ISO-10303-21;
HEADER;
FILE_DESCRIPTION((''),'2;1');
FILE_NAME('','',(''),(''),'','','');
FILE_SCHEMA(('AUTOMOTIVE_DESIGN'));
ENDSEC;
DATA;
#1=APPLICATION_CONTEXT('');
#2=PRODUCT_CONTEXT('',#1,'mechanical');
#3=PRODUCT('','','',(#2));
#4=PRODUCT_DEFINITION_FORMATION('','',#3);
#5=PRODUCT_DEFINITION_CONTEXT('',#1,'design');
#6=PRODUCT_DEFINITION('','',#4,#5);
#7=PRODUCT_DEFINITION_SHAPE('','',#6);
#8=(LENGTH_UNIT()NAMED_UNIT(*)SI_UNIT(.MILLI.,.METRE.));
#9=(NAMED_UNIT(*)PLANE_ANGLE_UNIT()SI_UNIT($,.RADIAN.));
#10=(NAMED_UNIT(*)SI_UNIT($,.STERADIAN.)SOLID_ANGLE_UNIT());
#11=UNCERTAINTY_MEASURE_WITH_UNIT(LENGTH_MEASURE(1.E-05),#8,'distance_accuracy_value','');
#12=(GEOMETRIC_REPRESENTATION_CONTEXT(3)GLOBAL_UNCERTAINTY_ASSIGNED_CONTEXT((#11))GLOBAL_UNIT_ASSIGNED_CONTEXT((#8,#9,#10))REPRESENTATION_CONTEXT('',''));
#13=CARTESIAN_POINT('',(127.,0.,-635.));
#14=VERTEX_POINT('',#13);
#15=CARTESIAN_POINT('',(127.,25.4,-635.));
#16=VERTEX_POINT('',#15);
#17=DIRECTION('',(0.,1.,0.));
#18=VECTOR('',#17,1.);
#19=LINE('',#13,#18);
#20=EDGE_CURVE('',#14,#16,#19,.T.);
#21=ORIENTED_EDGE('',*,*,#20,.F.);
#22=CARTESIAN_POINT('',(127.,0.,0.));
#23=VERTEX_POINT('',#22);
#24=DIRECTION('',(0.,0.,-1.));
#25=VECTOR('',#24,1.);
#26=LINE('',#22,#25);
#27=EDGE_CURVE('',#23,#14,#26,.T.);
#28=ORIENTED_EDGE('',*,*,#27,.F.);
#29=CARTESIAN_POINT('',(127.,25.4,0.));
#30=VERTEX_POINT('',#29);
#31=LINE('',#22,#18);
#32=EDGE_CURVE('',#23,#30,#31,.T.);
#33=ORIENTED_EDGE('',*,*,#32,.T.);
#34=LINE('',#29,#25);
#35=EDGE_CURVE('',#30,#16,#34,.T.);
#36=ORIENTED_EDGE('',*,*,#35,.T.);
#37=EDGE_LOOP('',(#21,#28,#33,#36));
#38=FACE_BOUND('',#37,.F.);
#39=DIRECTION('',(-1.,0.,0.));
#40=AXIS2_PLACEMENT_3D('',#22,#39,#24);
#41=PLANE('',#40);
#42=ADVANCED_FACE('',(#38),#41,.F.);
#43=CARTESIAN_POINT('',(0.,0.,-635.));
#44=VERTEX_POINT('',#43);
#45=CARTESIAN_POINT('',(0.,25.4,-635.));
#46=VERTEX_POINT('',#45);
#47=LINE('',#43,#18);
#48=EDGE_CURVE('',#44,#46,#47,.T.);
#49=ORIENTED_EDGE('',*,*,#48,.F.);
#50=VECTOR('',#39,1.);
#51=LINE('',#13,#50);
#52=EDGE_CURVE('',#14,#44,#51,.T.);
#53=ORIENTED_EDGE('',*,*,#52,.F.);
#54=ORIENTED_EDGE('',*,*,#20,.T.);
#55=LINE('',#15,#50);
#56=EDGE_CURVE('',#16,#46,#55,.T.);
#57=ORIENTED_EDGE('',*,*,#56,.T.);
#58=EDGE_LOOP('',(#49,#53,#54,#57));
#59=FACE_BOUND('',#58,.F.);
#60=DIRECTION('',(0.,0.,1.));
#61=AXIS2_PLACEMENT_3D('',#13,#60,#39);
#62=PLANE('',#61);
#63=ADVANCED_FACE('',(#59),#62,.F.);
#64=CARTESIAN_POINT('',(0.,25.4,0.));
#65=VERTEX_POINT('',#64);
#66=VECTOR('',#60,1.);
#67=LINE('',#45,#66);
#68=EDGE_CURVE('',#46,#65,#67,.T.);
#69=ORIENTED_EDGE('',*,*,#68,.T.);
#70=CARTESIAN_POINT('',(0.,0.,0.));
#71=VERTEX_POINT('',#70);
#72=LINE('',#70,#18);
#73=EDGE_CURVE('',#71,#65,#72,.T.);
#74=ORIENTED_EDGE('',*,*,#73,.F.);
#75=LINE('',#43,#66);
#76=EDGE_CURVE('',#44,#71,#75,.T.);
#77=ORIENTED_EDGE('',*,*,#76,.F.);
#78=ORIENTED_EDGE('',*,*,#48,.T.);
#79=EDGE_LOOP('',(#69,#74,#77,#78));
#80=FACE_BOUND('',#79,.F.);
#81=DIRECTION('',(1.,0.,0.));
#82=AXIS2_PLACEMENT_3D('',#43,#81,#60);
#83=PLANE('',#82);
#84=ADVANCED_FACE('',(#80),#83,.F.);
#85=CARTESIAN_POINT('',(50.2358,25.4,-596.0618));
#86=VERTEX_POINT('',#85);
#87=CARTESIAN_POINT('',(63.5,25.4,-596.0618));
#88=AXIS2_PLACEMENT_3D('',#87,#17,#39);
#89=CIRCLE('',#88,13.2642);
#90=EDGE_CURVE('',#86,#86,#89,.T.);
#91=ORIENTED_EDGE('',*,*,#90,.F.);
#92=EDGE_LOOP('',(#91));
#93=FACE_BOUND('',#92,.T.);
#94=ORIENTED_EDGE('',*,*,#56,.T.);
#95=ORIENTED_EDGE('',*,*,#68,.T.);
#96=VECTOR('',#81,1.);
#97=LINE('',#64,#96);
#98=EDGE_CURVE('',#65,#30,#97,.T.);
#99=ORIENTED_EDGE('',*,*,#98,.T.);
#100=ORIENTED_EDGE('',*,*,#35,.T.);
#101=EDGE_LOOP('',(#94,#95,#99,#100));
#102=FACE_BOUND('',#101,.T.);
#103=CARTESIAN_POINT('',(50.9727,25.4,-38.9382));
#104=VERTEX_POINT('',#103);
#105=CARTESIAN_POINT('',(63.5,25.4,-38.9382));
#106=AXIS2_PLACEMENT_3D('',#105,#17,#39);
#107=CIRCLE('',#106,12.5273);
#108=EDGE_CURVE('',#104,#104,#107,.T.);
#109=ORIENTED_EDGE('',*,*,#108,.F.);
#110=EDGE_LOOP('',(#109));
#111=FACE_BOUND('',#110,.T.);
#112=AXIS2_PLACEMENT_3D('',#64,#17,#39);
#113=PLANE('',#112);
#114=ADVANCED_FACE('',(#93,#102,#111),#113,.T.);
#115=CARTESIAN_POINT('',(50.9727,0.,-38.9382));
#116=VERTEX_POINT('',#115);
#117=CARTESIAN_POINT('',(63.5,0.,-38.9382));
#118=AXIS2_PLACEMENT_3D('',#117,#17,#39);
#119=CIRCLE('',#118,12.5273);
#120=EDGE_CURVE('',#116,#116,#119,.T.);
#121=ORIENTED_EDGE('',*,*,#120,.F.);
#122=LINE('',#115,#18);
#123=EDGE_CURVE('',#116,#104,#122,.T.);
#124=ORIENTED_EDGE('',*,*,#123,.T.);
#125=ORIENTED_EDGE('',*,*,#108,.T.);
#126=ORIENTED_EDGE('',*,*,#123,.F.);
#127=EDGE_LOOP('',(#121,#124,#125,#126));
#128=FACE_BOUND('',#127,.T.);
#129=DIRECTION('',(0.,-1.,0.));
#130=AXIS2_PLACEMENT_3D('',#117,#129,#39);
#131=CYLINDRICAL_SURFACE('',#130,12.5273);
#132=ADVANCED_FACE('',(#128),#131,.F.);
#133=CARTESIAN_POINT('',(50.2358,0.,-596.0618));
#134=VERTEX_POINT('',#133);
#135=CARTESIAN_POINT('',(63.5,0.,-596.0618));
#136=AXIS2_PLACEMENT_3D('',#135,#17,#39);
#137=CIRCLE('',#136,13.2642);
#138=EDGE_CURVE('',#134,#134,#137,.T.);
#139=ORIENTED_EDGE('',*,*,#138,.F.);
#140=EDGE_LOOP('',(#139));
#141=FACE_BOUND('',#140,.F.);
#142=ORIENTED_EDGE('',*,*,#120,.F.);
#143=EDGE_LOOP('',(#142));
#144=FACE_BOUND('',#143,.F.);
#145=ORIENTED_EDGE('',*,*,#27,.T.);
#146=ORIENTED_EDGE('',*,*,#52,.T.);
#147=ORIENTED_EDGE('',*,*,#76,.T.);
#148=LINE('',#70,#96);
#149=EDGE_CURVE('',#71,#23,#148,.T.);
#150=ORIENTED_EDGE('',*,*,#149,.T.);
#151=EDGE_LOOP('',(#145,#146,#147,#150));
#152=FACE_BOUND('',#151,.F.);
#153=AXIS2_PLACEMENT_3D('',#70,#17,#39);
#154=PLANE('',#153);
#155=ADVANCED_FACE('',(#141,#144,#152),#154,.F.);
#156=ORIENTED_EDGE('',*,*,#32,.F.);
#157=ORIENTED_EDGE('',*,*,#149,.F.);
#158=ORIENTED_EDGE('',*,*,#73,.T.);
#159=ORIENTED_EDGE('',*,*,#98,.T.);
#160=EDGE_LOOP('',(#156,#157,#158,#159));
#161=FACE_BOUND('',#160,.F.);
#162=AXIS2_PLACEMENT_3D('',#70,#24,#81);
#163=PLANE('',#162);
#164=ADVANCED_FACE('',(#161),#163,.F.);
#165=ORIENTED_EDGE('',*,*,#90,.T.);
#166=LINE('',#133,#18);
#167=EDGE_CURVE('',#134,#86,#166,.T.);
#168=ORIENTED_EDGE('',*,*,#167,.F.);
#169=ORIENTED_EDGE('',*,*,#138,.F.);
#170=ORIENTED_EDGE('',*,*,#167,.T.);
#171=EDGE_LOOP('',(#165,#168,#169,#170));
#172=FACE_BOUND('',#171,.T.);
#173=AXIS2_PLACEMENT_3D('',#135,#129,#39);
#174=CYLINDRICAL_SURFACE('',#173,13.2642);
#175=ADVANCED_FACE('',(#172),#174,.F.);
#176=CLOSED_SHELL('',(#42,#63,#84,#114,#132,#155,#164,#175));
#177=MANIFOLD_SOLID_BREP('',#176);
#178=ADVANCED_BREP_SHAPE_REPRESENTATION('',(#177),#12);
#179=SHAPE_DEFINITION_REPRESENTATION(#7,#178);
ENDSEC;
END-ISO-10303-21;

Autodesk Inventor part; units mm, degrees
ref_plane "YZ Plane" through (0, 0, 0) normal (1, 0, 0) x (0, 1, 0)
ref_plane "XZ Plane" through (0, 0, 0) normal (0, 1, 0) x (-1, 0, 0)
ref_plane "XY Plane" through (0, 0, 0) normal (0, 0, 1) x (1, 0, 0)
sketch "Sketch1" plane through (0, 0, 0) normal (0, 1, 0) x (-1, 0, 0)
  line L0 (0, 0) -> (-127, 0)
  line L1 (-127, 0) -> (-127, -635)
  line L2 (-127, -635) -> (0, -635)
  line L3 (0, -635) -> (0, 0)
  circle A0 centre (-63.5, -38.9382) radius 12.5273
  circle A1 centre (-63.5, -596.0618) radius 13.2642
  dimension "d0" = 127
  dimension "d1" = 635
  dimension "d2" = 38.9382
  dimension "d3" = 38.9382
extrude "Extrusion1" add sketch "Sketch1" along normal blind 25.4
properties part number "Frame"
